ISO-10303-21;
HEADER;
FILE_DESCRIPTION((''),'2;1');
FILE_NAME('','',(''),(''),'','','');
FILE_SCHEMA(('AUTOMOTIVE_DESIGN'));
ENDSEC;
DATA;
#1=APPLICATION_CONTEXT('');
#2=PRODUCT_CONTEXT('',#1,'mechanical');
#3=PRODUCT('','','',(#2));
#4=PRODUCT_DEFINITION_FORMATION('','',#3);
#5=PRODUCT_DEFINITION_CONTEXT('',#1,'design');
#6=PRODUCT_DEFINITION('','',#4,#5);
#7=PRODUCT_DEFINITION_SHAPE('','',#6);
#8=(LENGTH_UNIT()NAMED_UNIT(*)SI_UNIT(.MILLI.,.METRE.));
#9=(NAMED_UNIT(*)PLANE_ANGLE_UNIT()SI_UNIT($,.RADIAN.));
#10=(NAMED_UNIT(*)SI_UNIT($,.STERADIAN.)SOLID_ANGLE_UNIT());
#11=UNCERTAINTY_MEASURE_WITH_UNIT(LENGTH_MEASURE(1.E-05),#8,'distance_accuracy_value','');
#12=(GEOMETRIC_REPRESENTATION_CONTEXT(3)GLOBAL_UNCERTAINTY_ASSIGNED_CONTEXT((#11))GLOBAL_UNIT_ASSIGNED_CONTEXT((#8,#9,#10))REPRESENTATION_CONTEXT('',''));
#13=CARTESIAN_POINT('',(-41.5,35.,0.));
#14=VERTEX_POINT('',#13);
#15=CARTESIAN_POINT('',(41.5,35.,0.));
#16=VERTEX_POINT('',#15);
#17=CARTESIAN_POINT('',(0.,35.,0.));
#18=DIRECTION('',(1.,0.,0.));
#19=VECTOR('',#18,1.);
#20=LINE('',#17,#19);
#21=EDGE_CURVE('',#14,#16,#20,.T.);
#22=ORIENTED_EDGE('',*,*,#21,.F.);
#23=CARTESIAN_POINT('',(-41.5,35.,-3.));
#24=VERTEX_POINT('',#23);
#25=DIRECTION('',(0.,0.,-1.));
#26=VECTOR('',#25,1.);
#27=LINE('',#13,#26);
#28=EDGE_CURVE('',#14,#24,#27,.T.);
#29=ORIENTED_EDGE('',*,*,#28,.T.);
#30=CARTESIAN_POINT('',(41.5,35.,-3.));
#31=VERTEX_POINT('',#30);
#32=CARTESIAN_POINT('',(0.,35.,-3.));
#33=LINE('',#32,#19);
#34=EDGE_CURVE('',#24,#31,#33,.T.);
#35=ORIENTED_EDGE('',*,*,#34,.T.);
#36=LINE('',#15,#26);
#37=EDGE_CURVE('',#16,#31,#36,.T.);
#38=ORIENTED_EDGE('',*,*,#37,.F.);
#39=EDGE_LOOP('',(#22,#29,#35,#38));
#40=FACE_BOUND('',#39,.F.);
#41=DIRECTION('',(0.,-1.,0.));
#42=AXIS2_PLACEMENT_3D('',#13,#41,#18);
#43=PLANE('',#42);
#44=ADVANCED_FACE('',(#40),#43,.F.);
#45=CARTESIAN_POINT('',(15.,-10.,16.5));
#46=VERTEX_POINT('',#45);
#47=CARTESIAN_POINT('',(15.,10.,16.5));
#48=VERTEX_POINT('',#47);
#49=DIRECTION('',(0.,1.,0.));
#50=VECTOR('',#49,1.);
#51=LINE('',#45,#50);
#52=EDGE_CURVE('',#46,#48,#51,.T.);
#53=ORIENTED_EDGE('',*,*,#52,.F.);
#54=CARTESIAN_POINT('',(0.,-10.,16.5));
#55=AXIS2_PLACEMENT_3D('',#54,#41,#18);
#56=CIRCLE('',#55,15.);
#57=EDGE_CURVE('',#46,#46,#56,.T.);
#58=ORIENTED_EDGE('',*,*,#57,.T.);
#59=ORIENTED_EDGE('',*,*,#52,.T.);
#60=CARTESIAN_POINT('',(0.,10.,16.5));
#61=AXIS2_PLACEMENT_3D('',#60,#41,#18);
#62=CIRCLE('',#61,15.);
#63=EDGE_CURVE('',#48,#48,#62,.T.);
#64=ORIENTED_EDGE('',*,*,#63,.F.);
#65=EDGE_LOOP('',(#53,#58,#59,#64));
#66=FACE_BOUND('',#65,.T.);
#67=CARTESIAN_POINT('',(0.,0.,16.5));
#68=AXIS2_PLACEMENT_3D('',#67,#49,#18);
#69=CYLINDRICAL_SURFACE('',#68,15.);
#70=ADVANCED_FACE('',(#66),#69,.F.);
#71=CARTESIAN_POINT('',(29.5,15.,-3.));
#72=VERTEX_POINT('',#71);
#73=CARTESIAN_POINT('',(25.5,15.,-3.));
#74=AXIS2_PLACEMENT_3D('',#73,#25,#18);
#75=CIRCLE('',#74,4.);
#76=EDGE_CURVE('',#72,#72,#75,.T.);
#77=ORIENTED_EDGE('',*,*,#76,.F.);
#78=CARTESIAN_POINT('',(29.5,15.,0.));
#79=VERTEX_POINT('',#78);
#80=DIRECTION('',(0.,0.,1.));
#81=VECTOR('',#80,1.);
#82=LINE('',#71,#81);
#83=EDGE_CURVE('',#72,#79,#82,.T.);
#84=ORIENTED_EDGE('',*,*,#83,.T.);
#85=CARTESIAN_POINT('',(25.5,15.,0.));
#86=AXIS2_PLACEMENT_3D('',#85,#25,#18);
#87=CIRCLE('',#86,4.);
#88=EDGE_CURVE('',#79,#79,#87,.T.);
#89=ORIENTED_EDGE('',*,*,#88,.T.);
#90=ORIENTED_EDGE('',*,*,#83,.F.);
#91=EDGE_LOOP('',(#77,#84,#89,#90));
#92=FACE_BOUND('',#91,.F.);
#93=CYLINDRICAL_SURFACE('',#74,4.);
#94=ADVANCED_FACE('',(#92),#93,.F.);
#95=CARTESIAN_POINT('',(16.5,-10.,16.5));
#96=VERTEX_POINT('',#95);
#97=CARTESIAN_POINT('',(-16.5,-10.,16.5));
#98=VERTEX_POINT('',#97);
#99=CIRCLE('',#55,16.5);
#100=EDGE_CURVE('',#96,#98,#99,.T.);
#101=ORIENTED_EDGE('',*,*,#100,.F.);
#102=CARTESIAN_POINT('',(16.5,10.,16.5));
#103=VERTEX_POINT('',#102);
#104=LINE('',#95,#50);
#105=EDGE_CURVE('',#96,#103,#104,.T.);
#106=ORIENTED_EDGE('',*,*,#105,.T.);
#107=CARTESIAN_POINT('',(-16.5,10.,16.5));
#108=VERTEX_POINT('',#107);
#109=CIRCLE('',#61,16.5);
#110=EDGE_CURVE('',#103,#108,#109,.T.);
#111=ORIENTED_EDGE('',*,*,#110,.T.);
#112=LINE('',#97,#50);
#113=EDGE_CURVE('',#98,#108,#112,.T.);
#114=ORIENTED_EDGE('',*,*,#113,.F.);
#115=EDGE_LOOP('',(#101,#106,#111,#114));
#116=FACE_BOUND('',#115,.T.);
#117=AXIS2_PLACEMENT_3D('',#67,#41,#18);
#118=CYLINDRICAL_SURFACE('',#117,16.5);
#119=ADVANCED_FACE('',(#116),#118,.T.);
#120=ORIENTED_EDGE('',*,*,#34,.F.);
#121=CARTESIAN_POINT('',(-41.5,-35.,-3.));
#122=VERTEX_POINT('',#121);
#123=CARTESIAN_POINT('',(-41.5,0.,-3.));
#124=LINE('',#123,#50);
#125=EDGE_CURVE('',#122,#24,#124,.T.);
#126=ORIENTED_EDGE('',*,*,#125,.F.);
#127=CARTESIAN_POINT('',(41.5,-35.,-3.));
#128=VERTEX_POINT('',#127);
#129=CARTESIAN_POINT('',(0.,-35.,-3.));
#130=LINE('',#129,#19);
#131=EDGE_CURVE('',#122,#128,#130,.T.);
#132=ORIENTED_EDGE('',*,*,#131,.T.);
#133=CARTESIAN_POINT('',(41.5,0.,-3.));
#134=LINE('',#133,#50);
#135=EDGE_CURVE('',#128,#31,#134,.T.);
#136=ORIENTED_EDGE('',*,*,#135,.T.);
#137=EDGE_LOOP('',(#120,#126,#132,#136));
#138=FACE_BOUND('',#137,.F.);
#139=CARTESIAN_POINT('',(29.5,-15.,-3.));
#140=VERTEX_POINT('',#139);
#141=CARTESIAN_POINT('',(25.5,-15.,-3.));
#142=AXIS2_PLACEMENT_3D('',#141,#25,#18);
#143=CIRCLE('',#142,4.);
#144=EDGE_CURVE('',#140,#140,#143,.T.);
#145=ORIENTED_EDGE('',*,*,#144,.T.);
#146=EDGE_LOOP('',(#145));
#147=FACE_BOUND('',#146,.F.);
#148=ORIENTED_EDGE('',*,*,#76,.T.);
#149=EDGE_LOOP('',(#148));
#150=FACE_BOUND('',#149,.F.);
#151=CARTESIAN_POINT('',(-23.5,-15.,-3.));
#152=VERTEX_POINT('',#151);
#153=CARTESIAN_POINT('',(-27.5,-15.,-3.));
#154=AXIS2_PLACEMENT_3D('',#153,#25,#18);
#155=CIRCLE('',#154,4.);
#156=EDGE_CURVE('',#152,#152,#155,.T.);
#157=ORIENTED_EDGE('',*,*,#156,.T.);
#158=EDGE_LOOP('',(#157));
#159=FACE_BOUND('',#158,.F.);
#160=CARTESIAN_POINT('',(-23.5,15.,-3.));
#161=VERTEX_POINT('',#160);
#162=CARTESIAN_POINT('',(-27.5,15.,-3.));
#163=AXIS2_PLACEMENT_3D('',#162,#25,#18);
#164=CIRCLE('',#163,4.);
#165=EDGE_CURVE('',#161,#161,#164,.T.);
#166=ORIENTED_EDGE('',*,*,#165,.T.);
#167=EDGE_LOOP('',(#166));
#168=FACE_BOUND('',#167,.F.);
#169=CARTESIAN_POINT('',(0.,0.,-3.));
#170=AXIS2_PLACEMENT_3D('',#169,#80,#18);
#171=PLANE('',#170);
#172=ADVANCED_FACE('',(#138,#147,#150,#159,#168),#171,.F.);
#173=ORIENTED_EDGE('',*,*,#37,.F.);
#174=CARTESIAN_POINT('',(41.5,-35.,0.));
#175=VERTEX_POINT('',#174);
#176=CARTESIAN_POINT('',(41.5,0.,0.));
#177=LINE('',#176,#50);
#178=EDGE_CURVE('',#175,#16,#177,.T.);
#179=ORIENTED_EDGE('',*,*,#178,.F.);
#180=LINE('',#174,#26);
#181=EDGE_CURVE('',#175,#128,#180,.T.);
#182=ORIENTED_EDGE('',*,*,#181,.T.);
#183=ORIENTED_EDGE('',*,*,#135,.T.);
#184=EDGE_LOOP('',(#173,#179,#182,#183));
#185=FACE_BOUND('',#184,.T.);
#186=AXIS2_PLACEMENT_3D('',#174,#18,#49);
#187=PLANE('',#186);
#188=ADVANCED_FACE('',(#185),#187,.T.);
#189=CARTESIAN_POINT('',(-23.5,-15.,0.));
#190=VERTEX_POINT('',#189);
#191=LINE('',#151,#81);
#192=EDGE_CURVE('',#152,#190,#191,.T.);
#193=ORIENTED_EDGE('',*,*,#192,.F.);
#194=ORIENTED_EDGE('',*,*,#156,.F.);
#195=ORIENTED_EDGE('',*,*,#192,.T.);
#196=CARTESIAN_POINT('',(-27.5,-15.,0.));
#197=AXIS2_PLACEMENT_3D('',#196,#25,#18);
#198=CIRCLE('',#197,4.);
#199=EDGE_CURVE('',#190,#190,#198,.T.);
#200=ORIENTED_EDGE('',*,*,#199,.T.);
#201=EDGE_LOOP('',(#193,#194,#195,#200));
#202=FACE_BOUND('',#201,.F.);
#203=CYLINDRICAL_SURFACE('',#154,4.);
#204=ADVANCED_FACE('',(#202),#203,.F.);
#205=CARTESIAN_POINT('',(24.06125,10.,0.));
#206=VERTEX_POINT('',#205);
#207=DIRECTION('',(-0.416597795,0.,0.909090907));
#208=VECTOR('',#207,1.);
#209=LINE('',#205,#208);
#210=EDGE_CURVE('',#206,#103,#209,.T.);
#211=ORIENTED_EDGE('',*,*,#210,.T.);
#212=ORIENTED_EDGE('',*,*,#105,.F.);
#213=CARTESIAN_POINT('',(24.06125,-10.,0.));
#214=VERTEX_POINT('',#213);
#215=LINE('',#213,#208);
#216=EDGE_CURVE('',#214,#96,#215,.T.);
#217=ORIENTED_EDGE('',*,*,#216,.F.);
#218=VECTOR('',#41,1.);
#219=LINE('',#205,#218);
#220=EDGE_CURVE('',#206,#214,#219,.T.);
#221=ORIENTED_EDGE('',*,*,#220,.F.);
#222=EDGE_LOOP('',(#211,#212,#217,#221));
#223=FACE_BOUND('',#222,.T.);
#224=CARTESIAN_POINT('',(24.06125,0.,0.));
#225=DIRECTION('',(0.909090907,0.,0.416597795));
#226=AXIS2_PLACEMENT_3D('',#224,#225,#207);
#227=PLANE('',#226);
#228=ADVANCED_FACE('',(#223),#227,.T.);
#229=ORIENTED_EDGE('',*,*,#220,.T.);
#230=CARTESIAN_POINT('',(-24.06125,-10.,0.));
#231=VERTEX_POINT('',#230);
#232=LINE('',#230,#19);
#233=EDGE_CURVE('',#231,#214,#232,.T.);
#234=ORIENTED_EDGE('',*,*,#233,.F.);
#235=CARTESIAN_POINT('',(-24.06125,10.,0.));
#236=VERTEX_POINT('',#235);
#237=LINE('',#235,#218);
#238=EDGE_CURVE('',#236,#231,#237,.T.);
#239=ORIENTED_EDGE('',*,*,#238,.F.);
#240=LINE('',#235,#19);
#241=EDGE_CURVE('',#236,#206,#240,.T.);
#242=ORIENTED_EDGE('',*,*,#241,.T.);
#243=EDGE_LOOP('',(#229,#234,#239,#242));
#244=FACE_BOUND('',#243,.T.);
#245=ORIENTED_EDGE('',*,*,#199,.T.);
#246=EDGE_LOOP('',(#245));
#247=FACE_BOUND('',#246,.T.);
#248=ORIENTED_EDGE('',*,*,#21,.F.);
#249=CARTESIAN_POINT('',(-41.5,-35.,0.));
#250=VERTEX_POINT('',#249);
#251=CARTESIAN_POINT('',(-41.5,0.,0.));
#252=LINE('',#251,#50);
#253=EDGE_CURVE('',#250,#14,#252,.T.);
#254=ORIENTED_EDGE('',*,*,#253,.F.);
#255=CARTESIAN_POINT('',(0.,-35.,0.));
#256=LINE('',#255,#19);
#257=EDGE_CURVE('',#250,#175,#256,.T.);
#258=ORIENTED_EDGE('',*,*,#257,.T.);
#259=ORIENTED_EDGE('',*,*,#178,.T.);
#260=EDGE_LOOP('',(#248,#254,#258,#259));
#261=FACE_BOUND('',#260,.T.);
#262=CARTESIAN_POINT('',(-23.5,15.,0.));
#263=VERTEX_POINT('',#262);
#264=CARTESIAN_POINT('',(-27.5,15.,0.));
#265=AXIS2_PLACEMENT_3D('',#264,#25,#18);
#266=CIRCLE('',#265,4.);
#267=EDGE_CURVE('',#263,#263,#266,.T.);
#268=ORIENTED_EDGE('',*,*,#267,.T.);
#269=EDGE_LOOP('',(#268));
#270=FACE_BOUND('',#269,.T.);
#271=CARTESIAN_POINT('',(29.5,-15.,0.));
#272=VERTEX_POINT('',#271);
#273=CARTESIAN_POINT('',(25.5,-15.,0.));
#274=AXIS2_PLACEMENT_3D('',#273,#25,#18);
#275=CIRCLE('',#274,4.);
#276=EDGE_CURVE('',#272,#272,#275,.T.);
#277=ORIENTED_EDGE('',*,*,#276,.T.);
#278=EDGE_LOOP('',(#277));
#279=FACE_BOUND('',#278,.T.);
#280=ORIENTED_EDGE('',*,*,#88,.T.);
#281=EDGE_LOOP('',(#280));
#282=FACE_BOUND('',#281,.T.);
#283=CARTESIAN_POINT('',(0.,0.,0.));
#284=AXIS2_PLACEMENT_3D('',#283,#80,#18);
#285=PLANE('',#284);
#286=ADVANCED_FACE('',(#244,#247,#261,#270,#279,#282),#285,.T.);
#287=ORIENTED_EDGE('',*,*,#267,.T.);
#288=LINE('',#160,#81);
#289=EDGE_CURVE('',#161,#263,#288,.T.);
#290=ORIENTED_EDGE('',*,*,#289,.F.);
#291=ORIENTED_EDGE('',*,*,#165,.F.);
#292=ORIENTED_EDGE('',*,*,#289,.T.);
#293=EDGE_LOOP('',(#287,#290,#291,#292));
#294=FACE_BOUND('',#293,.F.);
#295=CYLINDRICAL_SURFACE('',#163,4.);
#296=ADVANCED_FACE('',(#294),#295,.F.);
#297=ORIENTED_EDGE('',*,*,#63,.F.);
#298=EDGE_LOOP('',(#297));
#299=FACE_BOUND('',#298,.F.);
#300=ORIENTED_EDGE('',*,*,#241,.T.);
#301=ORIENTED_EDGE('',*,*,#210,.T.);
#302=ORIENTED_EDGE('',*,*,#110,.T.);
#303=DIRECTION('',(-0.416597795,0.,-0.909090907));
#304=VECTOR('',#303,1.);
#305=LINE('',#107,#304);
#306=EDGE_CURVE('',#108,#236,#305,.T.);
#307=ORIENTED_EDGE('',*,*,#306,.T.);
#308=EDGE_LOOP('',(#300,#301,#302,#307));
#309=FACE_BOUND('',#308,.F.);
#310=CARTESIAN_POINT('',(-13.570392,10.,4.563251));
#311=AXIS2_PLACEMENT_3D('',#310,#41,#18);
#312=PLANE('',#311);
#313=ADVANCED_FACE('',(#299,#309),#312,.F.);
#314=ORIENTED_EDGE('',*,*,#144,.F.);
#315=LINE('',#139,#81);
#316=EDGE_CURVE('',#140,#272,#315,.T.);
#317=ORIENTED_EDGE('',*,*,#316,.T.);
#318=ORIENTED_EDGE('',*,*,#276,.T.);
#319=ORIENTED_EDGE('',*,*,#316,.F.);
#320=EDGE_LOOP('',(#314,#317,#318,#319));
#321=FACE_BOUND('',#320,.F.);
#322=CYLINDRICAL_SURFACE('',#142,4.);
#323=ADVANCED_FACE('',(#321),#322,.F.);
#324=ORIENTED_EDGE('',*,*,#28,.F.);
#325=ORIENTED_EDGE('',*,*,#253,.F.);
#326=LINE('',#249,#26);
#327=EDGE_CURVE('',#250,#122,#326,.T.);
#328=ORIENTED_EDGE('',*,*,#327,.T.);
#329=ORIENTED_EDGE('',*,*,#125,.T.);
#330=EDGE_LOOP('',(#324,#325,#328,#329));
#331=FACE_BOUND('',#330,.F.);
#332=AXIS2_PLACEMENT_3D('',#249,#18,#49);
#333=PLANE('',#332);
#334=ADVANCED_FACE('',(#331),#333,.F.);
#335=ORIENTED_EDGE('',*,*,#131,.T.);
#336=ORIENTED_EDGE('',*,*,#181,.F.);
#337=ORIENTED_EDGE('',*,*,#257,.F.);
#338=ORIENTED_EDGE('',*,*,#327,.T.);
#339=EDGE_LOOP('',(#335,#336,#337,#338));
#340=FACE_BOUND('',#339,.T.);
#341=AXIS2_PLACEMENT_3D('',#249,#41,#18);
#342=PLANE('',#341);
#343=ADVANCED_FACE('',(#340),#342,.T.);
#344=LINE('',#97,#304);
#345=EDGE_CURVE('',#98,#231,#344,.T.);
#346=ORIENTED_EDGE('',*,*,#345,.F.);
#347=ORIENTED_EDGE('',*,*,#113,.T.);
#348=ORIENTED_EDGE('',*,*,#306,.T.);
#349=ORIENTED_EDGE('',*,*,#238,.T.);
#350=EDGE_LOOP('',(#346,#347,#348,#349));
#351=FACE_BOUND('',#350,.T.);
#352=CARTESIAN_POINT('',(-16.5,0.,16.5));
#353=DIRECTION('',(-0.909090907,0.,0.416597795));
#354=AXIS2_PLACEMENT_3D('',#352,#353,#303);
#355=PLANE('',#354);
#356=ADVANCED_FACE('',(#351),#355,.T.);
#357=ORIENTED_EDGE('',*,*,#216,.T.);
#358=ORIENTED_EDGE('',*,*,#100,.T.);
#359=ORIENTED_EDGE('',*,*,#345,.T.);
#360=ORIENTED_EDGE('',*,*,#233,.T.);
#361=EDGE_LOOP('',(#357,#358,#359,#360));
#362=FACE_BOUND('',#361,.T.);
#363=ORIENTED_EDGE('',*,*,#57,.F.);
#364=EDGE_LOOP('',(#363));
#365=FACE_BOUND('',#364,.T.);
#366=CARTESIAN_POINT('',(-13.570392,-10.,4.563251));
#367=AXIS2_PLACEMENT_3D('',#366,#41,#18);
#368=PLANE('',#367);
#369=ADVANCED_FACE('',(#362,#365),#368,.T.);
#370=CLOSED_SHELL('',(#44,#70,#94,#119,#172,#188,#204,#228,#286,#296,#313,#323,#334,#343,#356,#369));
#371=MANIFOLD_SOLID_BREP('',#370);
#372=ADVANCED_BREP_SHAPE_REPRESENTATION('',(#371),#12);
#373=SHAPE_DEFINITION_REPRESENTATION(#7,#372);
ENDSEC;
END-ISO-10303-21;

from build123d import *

# Parameters (mm, degrees)
F0_W     = 83
F0_H     = 70
F1_DEPTH = 3
F2_R     = 15
F3_DEPTH = 10
F4_R     = 4
F5_DEPTH = 25


with BuildPart() as f1:
    # F0 (on Top) → F1 (new body)
    with BuildSketch(Plane.XY):
        Rectangle(F0_W, F0_H)
    extrude(amount=-F1_DEPTH)

    # F2 (on Front) → F3 (join, symmetric)
    with BuildSketch(Plane.XZ):
        with BuildLine():
            ThreePointArc((0, 0), (-11.667262, 4.832738), (-16.5, 16.5))
            Line((-16.5, 16.5), (-24.06125, 0))
            Line((-24.06125, 0), (0, 0))
        make_face()
        with BuildLine():
            Line((24.06125, 0), (16.5, 16.5))
            ThreePointArc((16.5, 16.5), (11.667262, 4.832738), (0, 0))
            Line((0, 0), (24.06125, 0))
        make_face()
        with BuildLine():
            ThreePointArc((0, 0), (11.667262, 4.832738), (16.5, 16.5))
            ThreePointArc((16.5, 16.5), (0, 33), (-16.5, 16.5))
            ThreePointArc((-16.5, 16.5), (-11.667262, 4.832738), (0, 0))
        make_face()
        with Locations((0, 16.5)):
            Circle(F2_R, mode=Mode.SUBTRACT)
    extrude(amount=F3_DEPTH, both=True)

    # F4 (on face) → F5 (cut)
    with BuildSketch(Plane(origin=(0, 0, -3), x_dir=(1, 0, 0), z_dir=(0, 0, -1))):
        with Locations((-27.5, -15)):
            Circle(F4_R)
        with Locations((-27.5, 15)):
            Circle(F4_R)
        with Locations((25.5, 15)):
            Circle(F4_R)
        with Locations((25.5, -15)):
            Circle(F4_R)
    extrude(amount=-F5_DEPTH, mode=Mode.SUBTRACT)


solid = f1.part
